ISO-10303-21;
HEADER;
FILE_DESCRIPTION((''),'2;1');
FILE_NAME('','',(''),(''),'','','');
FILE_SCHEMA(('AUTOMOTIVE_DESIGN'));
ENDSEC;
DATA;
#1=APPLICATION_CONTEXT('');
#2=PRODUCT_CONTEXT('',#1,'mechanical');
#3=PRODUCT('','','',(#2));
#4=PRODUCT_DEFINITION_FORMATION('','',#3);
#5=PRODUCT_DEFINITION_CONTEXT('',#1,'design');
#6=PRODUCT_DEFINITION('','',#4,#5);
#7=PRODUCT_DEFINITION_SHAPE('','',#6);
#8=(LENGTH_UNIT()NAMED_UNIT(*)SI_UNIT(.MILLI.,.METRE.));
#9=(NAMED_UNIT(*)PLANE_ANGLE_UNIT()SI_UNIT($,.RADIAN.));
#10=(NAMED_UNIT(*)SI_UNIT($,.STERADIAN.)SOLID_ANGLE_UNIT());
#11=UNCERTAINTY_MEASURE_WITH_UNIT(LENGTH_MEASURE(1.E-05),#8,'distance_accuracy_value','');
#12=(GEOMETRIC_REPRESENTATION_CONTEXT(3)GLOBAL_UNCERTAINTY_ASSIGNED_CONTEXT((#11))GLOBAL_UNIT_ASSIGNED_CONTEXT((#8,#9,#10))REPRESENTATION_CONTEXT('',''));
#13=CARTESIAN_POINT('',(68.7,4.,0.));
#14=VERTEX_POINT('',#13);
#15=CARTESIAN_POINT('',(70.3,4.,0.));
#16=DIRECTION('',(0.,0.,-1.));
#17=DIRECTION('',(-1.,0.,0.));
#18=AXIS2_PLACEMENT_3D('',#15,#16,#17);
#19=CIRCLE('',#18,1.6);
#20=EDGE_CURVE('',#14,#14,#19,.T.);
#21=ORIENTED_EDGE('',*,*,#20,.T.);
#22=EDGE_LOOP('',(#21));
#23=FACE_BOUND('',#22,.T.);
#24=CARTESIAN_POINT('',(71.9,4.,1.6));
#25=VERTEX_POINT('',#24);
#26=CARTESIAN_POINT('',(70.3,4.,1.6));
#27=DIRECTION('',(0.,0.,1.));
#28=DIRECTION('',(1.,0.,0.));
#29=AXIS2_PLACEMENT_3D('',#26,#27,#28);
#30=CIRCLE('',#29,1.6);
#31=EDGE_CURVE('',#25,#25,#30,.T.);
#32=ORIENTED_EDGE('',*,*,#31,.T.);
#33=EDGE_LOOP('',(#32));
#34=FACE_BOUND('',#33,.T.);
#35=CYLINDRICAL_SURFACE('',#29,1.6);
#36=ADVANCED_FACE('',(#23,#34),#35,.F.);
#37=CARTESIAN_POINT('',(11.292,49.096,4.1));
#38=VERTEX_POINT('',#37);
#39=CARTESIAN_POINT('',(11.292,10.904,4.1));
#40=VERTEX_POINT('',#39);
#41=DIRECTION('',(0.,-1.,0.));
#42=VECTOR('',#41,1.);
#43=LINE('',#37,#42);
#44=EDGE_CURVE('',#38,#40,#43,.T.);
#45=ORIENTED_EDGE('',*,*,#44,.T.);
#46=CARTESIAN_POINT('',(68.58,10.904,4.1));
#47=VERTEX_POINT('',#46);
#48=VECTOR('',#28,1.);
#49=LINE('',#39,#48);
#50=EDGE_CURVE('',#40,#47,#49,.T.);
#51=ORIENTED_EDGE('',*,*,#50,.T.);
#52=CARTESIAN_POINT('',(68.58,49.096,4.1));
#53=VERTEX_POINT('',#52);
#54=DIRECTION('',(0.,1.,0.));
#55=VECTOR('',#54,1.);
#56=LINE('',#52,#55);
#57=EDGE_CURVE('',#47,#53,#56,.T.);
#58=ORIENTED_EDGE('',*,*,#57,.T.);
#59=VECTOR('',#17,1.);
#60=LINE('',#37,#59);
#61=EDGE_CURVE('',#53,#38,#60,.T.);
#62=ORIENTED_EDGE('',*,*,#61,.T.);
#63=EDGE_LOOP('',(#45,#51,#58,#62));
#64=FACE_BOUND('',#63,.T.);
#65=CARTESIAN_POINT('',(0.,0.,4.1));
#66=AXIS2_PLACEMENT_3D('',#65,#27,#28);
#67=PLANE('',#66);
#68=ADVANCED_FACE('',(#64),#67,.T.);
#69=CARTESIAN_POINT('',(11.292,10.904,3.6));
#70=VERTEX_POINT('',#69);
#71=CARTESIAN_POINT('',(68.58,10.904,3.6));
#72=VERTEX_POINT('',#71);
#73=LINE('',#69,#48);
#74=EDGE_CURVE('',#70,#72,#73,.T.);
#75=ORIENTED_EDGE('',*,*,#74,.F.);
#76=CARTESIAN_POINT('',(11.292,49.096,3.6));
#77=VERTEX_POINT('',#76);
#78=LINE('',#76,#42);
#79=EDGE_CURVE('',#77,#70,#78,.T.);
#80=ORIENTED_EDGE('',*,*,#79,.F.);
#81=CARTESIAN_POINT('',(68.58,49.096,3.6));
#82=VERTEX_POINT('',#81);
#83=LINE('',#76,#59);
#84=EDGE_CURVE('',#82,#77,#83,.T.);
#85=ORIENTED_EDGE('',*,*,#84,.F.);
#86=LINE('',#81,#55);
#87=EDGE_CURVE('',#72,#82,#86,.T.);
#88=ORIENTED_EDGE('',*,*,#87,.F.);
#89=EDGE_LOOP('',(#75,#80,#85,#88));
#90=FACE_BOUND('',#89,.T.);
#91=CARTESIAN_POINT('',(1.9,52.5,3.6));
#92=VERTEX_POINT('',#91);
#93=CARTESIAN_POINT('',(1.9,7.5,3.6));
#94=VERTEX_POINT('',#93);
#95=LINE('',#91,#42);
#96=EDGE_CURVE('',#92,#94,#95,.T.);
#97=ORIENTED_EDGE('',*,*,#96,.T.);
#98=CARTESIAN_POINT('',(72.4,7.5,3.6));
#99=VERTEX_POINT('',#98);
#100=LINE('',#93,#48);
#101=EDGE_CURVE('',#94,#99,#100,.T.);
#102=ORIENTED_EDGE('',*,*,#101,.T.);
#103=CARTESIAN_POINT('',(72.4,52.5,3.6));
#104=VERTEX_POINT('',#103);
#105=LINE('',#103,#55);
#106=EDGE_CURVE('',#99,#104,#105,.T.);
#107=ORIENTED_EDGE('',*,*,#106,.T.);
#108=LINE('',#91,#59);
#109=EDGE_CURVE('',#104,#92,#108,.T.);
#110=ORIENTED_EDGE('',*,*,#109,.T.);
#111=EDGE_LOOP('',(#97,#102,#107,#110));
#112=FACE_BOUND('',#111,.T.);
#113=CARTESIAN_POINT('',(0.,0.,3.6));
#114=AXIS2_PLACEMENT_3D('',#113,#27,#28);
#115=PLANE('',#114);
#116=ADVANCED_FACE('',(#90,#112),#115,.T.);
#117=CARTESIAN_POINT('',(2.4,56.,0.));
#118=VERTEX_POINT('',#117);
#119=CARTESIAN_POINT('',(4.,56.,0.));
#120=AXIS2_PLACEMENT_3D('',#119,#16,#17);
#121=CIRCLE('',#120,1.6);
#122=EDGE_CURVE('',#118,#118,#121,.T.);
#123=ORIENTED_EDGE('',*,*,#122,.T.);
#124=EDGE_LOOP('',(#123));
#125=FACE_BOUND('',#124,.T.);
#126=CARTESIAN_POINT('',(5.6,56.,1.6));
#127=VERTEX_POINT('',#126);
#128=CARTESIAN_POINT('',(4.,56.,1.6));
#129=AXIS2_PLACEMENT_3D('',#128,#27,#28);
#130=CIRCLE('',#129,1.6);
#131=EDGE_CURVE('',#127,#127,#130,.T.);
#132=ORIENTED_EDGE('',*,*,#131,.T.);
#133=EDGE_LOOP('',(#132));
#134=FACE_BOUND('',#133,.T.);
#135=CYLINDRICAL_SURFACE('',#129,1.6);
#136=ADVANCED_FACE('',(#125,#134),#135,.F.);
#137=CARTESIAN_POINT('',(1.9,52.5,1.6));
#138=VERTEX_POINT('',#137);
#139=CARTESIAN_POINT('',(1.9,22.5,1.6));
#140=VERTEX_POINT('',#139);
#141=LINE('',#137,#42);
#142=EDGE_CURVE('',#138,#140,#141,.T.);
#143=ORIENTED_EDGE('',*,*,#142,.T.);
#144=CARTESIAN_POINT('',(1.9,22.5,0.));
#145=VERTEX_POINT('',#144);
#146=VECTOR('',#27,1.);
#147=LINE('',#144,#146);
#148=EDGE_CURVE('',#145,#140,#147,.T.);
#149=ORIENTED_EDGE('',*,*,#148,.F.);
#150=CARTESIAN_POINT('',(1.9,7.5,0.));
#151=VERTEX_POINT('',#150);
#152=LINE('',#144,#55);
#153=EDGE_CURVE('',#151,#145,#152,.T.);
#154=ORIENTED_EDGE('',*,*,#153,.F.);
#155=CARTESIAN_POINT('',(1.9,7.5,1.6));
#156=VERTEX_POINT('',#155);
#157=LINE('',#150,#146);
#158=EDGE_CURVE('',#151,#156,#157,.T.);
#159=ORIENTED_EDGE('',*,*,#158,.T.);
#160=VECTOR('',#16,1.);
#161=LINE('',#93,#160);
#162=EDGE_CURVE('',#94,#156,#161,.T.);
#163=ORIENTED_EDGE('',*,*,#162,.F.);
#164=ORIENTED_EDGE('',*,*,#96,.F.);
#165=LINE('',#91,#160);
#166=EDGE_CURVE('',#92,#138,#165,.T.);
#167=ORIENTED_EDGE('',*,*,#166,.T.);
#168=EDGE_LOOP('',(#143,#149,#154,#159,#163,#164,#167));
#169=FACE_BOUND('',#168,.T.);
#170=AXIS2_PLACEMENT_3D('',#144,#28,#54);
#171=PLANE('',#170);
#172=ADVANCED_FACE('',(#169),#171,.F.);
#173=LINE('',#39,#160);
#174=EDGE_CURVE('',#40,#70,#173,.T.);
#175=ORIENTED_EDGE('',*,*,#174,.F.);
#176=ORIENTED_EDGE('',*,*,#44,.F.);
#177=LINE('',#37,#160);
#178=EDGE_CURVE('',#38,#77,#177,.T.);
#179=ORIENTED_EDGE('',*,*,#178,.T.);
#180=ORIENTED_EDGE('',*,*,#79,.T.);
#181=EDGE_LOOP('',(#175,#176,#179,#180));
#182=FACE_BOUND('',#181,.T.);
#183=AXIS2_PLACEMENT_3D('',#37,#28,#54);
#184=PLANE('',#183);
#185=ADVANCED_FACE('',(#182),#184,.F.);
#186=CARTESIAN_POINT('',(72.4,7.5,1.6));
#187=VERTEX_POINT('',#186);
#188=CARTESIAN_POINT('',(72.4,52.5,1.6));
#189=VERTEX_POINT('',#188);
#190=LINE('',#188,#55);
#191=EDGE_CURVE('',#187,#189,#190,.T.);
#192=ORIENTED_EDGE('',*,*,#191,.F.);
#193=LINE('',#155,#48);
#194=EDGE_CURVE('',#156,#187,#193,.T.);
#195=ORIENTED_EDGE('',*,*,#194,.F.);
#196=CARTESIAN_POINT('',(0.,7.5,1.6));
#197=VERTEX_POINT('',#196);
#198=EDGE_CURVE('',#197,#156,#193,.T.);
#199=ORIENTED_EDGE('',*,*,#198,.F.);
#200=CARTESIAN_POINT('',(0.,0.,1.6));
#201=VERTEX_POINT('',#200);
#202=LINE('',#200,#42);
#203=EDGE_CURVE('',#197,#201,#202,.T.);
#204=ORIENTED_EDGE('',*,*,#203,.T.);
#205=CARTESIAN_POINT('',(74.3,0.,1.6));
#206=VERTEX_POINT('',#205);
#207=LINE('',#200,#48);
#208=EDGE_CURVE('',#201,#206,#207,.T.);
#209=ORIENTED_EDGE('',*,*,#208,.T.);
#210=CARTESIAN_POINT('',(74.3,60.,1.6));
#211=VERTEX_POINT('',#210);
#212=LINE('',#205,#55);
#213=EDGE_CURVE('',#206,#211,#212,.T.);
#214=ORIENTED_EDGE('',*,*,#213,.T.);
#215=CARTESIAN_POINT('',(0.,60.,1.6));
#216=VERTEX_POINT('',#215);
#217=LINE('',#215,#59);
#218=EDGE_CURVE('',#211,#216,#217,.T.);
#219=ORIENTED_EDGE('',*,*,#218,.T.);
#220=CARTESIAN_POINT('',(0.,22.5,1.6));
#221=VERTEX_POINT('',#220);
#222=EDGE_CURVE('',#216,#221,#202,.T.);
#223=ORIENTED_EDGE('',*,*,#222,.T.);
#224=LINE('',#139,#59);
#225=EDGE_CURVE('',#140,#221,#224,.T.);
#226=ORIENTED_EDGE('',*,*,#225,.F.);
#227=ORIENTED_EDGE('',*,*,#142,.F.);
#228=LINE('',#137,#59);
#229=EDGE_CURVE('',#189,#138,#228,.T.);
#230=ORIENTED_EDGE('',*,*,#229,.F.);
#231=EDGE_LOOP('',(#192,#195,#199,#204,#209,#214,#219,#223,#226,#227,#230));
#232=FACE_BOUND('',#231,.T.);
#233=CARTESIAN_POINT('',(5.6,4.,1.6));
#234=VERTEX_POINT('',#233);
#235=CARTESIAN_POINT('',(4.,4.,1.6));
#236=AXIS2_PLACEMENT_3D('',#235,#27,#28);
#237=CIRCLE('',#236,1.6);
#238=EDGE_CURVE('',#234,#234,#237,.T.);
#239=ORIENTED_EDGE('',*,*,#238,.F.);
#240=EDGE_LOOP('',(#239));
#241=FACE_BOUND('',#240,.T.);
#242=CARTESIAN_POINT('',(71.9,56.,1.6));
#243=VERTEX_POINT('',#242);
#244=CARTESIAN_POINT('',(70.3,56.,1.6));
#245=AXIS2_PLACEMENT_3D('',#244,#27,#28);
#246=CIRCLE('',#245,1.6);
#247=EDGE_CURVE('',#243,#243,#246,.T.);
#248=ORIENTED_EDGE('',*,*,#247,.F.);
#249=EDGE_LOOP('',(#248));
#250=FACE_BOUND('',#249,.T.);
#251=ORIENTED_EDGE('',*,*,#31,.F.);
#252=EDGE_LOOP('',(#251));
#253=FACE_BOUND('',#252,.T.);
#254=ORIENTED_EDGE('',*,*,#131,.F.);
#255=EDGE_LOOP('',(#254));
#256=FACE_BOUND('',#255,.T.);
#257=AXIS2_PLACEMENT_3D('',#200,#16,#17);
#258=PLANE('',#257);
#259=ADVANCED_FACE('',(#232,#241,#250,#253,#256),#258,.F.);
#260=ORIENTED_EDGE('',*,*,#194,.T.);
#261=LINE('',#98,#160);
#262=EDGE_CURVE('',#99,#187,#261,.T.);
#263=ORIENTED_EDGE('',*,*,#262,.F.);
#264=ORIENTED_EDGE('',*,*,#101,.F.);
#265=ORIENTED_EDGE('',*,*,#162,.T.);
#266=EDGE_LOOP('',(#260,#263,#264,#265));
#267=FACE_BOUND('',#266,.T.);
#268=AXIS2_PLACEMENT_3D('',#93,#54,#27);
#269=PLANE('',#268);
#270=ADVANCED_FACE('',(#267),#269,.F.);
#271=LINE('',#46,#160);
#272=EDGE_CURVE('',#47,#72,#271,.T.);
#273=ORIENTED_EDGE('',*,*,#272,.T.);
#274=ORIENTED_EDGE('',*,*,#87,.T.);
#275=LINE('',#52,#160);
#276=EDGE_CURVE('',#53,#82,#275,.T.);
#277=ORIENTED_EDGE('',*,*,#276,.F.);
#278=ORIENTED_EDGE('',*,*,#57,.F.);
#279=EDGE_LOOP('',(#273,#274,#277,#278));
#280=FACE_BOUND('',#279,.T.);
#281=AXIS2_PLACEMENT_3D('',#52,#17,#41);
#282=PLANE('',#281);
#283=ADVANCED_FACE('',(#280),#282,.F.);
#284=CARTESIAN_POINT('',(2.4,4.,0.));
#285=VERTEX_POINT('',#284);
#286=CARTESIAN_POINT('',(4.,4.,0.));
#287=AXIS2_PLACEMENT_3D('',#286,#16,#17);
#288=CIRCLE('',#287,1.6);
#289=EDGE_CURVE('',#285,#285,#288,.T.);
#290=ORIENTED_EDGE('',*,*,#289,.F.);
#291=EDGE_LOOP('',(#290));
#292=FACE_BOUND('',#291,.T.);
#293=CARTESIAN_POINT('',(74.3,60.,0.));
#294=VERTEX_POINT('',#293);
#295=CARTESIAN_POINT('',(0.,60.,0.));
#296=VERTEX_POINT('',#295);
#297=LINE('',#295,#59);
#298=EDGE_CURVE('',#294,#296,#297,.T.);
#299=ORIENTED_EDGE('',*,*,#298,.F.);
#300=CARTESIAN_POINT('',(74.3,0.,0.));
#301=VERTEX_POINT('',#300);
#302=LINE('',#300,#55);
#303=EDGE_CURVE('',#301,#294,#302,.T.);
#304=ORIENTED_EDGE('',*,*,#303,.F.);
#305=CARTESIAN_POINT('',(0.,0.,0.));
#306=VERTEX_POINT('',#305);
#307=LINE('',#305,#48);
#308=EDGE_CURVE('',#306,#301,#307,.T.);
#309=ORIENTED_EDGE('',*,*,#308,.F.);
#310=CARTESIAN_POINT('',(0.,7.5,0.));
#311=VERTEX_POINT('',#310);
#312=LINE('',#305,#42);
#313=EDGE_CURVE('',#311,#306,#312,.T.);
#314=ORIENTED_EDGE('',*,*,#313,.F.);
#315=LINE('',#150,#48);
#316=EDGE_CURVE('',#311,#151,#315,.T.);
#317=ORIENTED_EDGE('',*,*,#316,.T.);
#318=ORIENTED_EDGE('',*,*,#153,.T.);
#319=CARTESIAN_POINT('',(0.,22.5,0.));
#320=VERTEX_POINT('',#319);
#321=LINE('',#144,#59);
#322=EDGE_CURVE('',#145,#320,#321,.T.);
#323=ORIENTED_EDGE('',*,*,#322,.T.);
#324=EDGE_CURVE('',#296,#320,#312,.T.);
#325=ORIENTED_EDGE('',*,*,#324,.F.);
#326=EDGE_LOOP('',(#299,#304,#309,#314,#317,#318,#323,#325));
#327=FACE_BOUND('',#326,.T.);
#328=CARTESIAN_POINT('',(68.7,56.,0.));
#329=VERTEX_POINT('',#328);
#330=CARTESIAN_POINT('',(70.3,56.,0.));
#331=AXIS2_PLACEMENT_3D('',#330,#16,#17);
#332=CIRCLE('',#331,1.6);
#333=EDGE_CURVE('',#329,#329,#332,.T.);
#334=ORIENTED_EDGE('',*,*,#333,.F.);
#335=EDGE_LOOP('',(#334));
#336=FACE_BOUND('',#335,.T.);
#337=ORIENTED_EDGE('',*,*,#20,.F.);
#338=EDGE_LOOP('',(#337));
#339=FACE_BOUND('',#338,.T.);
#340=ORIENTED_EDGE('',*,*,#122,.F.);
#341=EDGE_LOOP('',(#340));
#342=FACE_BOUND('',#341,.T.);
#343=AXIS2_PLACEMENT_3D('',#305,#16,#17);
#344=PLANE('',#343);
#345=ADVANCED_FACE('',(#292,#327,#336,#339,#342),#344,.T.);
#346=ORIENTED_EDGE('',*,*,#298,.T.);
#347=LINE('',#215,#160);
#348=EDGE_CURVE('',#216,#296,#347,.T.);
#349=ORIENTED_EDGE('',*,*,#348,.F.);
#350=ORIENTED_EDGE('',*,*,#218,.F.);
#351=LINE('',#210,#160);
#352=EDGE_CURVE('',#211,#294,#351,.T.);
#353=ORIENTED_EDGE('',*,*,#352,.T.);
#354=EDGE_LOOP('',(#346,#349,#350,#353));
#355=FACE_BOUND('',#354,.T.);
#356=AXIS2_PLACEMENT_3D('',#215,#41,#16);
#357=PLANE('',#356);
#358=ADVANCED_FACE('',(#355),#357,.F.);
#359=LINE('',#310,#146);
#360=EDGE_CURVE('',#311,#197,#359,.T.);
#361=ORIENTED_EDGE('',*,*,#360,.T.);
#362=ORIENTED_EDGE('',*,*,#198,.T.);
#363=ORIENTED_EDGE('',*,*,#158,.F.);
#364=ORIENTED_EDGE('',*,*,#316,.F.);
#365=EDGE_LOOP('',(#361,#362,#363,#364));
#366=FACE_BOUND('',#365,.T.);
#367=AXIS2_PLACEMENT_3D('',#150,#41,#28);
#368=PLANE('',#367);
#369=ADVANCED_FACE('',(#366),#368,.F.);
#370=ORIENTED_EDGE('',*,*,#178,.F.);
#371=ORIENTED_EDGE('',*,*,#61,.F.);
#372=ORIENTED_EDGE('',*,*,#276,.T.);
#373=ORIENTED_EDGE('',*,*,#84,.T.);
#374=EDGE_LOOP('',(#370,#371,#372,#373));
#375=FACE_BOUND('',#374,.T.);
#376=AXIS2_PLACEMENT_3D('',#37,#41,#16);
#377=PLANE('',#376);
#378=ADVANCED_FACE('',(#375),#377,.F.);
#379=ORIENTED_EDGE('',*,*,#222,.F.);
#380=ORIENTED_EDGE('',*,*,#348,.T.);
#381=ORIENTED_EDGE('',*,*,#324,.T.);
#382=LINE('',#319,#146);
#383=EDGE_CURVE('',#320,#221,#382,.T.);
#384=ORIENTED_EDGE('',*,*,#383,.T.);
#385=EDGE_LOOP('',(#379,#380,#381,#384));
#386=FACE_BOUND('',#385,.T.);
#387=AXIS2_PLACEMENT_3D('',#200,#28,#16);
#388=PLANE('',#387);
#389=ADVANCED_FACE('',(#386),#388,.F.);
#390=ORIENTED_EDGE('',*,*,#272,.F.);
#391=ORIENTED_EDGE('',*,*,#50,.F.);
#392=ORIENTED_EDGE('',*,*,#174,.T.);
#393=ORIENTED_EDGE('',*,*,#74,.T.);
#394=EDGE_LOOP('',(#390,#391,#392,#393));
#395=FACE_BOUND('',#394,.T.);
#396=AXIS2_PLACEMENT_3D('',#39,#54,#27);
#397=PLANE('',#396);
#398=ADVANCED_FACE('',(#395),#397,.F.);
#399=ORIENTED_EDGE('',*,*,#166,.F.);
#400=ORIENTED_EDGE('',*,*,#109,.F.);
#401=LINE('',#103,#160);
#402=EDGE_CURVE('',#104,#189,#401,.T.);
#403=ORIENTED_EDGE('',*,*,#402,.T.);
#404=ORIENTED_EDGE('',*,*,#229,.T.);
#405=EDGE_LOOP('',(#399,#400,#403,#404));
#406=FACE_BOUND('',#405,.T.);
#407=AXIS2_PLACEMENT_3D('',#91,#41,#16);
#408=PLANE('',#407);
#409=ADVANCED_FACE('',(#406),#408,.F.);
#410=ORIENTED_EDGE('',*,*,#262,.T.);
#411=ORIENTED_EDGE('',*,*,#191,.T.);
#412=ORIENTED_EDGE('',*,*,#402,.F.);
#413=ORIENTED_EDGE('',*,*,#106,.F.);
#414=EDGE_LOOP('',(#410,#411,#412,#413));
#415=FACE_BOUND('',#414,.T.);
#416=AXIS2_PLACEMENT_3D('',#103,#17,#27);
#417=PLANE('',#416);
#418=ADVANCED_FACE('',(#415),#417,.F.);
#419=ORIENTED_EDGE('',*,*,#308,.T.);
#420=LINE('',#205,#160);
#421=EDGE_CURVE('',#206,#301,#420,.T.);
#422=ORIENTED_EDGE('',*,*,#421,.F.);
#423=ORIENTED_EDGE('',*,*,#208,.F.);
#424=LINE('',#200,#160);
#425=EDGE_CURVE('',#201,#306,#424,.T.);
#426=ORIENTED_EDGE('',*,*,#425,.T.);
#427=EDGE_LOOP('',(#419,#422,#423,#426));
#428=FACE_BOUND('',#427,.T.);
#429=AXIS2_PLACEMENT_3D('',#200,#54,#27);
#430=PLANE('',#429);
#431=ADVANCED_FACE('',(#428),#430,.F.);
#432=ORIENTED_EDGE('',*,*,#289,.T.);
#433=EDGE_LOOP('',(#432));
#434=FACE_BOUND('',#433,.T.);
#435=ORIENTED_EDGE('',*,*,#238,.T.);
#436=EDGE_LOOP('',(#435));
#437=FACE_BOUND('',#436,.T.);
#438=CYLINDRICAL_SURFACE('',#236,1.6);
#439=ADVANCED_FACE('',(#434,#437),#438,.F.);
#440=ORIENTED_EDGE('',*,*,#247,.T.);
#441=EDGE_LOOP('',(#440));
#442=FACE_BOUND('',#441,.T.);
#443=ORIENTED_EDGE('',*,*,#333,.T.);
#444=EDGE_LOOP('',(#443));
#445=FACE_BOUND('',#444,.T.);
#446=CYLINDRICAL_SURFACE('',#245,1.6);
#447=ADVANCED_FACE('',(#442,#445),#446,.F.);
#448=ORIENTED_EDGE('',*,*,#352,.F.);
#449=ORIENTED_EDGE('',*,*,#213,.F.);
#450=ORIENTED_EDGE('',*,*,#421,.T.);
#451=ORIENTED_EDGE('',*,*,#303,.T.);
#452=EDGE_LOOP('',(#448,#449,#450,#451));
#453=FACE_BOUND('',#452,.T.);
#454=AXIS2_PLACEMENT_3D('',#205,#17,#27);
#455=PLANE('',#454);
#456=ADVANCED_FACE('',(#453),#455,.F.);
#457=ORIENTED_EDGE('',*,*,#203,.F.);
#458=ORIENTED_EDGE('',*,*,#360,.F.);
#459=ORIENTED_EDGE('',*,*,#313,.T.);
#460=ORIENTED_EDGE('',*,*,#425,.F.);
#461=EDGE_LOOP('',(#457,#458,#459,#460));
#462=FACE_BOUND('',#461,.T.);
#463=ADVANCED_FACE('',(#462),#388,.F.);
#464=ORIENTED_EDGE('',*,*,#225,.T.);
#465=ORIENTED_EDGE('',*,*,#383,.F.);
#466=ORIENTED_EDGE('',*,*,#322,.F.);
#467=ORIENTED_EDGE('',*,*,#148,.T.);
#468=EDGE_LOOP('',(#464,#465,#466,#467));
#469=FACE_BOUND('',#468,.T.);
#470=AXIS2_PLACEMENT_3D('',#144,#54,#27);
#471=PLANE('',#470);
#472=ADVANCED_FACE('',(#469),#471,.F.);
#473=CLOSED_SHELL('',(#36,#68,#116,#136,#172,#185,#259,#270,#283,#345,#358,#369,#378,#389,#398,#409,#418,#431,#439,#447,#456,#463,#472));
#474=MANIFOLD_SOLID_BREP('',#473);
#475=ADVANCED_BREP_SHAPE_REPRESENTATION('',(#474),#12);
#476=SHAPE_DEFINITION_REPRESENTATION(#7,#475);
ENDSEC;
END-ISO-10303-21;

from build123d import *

# Parameters (mm, degrees)
SKETCH1_W                      = 74.3
SKETCH1_H                      = 60
BOSS_EXTRUDE1_DEPTH            = 1.6
SKETCH2_W                      = 1.9
SKETCH2_H                      = 15
CUT_EXTRUDE1_DEPTH             = 2.6
F_3_2_3_2_DIAMETER_HOLE1_D     = 3.2
F_3_2_3_2_DIAMETER_HOLE1_DEPTH = 60
F_3_2_3_2_DIAMETER_HOLE1_TIP   = 0.96137699
SKETCH6_W                      = 70.5
SKETCH6_H                      = 45
BOSS_EXTRUDE2_DEPTH            = 2
SKETCH7_W                      = 57.288
SKETCH7_H                      = 38.192
BOSS_EXTRUDE3_DEPTH            = 0.5


with BuildPart() as part:
    # Sketch1 → Boss-Extrude1 (new body)
    with BuildSketch(Plane.XY):
        with Locations((37.15, 30)):
            Rectangle(SKETCH1_W, SKETCH1_H)
    extrude(amount=BOSS_EXTRUDE1_DEPTH)

    # Sketch2 → Cut-Extrude1 (cut, through all)
    with BuildSketch(Plane.XY.offset(1.6)):
        with Locations((0.95, 15)):
            Rectangle(SKETCH2_W, SKETCH2_H)
    extrude(amount=-CUT_EXTRUDE1_DEPTH, mode=Mode.SUBTRACT)

    # Ø3.2 (3.2) Diameter Hole1
    with Locations(Plane.XY.offset(1.6)):
        with Locations((4, 56), (70.3, 56), (70.3, 4), (4, 4)):
            Hole(F_3_2_3_2_DIAMETER_HOLE1_D / 2, depth=F_3_2_3_2_DIAMETER_HOLE1_DEPTH)
            with Locations((0, 0, -(F_3_2_3_2_DIAMETER_HOLE1_DEPTH + F_3_2_3_2_DIAMETER_HOLE1_TIP / 2))):  # 118° drill point
                Cone(0, F_3_2_3_2_DIAMETER_HOLE1_D / 2, F_3_2_3_2_DIAMETER_HOLE1_TIP, mode=Mode.SUBTRACT)

    # Sketch6 → Boss-Extrude2 (add)
    with BuildSketch(Plane.XY.offset(1.6)):
        with Locations((37.15, 30)):
            Rectangle(SKETCH6_W, SKETCH6_H)
    extrude(amount=BOSS_EXTRUDE2_DEPTH)

    # Sketch7 → Boss-Extrude3 (add)
    with BuildSketch(Plane.XY.offset(3.6)):
        with Locations((39.936, 30)):
            Rectangle(SKETCH7_W, SKETCH7_H)
    extrude(amount=BOSS_EXTRUDE3_DEPTH)


solid = part.part
